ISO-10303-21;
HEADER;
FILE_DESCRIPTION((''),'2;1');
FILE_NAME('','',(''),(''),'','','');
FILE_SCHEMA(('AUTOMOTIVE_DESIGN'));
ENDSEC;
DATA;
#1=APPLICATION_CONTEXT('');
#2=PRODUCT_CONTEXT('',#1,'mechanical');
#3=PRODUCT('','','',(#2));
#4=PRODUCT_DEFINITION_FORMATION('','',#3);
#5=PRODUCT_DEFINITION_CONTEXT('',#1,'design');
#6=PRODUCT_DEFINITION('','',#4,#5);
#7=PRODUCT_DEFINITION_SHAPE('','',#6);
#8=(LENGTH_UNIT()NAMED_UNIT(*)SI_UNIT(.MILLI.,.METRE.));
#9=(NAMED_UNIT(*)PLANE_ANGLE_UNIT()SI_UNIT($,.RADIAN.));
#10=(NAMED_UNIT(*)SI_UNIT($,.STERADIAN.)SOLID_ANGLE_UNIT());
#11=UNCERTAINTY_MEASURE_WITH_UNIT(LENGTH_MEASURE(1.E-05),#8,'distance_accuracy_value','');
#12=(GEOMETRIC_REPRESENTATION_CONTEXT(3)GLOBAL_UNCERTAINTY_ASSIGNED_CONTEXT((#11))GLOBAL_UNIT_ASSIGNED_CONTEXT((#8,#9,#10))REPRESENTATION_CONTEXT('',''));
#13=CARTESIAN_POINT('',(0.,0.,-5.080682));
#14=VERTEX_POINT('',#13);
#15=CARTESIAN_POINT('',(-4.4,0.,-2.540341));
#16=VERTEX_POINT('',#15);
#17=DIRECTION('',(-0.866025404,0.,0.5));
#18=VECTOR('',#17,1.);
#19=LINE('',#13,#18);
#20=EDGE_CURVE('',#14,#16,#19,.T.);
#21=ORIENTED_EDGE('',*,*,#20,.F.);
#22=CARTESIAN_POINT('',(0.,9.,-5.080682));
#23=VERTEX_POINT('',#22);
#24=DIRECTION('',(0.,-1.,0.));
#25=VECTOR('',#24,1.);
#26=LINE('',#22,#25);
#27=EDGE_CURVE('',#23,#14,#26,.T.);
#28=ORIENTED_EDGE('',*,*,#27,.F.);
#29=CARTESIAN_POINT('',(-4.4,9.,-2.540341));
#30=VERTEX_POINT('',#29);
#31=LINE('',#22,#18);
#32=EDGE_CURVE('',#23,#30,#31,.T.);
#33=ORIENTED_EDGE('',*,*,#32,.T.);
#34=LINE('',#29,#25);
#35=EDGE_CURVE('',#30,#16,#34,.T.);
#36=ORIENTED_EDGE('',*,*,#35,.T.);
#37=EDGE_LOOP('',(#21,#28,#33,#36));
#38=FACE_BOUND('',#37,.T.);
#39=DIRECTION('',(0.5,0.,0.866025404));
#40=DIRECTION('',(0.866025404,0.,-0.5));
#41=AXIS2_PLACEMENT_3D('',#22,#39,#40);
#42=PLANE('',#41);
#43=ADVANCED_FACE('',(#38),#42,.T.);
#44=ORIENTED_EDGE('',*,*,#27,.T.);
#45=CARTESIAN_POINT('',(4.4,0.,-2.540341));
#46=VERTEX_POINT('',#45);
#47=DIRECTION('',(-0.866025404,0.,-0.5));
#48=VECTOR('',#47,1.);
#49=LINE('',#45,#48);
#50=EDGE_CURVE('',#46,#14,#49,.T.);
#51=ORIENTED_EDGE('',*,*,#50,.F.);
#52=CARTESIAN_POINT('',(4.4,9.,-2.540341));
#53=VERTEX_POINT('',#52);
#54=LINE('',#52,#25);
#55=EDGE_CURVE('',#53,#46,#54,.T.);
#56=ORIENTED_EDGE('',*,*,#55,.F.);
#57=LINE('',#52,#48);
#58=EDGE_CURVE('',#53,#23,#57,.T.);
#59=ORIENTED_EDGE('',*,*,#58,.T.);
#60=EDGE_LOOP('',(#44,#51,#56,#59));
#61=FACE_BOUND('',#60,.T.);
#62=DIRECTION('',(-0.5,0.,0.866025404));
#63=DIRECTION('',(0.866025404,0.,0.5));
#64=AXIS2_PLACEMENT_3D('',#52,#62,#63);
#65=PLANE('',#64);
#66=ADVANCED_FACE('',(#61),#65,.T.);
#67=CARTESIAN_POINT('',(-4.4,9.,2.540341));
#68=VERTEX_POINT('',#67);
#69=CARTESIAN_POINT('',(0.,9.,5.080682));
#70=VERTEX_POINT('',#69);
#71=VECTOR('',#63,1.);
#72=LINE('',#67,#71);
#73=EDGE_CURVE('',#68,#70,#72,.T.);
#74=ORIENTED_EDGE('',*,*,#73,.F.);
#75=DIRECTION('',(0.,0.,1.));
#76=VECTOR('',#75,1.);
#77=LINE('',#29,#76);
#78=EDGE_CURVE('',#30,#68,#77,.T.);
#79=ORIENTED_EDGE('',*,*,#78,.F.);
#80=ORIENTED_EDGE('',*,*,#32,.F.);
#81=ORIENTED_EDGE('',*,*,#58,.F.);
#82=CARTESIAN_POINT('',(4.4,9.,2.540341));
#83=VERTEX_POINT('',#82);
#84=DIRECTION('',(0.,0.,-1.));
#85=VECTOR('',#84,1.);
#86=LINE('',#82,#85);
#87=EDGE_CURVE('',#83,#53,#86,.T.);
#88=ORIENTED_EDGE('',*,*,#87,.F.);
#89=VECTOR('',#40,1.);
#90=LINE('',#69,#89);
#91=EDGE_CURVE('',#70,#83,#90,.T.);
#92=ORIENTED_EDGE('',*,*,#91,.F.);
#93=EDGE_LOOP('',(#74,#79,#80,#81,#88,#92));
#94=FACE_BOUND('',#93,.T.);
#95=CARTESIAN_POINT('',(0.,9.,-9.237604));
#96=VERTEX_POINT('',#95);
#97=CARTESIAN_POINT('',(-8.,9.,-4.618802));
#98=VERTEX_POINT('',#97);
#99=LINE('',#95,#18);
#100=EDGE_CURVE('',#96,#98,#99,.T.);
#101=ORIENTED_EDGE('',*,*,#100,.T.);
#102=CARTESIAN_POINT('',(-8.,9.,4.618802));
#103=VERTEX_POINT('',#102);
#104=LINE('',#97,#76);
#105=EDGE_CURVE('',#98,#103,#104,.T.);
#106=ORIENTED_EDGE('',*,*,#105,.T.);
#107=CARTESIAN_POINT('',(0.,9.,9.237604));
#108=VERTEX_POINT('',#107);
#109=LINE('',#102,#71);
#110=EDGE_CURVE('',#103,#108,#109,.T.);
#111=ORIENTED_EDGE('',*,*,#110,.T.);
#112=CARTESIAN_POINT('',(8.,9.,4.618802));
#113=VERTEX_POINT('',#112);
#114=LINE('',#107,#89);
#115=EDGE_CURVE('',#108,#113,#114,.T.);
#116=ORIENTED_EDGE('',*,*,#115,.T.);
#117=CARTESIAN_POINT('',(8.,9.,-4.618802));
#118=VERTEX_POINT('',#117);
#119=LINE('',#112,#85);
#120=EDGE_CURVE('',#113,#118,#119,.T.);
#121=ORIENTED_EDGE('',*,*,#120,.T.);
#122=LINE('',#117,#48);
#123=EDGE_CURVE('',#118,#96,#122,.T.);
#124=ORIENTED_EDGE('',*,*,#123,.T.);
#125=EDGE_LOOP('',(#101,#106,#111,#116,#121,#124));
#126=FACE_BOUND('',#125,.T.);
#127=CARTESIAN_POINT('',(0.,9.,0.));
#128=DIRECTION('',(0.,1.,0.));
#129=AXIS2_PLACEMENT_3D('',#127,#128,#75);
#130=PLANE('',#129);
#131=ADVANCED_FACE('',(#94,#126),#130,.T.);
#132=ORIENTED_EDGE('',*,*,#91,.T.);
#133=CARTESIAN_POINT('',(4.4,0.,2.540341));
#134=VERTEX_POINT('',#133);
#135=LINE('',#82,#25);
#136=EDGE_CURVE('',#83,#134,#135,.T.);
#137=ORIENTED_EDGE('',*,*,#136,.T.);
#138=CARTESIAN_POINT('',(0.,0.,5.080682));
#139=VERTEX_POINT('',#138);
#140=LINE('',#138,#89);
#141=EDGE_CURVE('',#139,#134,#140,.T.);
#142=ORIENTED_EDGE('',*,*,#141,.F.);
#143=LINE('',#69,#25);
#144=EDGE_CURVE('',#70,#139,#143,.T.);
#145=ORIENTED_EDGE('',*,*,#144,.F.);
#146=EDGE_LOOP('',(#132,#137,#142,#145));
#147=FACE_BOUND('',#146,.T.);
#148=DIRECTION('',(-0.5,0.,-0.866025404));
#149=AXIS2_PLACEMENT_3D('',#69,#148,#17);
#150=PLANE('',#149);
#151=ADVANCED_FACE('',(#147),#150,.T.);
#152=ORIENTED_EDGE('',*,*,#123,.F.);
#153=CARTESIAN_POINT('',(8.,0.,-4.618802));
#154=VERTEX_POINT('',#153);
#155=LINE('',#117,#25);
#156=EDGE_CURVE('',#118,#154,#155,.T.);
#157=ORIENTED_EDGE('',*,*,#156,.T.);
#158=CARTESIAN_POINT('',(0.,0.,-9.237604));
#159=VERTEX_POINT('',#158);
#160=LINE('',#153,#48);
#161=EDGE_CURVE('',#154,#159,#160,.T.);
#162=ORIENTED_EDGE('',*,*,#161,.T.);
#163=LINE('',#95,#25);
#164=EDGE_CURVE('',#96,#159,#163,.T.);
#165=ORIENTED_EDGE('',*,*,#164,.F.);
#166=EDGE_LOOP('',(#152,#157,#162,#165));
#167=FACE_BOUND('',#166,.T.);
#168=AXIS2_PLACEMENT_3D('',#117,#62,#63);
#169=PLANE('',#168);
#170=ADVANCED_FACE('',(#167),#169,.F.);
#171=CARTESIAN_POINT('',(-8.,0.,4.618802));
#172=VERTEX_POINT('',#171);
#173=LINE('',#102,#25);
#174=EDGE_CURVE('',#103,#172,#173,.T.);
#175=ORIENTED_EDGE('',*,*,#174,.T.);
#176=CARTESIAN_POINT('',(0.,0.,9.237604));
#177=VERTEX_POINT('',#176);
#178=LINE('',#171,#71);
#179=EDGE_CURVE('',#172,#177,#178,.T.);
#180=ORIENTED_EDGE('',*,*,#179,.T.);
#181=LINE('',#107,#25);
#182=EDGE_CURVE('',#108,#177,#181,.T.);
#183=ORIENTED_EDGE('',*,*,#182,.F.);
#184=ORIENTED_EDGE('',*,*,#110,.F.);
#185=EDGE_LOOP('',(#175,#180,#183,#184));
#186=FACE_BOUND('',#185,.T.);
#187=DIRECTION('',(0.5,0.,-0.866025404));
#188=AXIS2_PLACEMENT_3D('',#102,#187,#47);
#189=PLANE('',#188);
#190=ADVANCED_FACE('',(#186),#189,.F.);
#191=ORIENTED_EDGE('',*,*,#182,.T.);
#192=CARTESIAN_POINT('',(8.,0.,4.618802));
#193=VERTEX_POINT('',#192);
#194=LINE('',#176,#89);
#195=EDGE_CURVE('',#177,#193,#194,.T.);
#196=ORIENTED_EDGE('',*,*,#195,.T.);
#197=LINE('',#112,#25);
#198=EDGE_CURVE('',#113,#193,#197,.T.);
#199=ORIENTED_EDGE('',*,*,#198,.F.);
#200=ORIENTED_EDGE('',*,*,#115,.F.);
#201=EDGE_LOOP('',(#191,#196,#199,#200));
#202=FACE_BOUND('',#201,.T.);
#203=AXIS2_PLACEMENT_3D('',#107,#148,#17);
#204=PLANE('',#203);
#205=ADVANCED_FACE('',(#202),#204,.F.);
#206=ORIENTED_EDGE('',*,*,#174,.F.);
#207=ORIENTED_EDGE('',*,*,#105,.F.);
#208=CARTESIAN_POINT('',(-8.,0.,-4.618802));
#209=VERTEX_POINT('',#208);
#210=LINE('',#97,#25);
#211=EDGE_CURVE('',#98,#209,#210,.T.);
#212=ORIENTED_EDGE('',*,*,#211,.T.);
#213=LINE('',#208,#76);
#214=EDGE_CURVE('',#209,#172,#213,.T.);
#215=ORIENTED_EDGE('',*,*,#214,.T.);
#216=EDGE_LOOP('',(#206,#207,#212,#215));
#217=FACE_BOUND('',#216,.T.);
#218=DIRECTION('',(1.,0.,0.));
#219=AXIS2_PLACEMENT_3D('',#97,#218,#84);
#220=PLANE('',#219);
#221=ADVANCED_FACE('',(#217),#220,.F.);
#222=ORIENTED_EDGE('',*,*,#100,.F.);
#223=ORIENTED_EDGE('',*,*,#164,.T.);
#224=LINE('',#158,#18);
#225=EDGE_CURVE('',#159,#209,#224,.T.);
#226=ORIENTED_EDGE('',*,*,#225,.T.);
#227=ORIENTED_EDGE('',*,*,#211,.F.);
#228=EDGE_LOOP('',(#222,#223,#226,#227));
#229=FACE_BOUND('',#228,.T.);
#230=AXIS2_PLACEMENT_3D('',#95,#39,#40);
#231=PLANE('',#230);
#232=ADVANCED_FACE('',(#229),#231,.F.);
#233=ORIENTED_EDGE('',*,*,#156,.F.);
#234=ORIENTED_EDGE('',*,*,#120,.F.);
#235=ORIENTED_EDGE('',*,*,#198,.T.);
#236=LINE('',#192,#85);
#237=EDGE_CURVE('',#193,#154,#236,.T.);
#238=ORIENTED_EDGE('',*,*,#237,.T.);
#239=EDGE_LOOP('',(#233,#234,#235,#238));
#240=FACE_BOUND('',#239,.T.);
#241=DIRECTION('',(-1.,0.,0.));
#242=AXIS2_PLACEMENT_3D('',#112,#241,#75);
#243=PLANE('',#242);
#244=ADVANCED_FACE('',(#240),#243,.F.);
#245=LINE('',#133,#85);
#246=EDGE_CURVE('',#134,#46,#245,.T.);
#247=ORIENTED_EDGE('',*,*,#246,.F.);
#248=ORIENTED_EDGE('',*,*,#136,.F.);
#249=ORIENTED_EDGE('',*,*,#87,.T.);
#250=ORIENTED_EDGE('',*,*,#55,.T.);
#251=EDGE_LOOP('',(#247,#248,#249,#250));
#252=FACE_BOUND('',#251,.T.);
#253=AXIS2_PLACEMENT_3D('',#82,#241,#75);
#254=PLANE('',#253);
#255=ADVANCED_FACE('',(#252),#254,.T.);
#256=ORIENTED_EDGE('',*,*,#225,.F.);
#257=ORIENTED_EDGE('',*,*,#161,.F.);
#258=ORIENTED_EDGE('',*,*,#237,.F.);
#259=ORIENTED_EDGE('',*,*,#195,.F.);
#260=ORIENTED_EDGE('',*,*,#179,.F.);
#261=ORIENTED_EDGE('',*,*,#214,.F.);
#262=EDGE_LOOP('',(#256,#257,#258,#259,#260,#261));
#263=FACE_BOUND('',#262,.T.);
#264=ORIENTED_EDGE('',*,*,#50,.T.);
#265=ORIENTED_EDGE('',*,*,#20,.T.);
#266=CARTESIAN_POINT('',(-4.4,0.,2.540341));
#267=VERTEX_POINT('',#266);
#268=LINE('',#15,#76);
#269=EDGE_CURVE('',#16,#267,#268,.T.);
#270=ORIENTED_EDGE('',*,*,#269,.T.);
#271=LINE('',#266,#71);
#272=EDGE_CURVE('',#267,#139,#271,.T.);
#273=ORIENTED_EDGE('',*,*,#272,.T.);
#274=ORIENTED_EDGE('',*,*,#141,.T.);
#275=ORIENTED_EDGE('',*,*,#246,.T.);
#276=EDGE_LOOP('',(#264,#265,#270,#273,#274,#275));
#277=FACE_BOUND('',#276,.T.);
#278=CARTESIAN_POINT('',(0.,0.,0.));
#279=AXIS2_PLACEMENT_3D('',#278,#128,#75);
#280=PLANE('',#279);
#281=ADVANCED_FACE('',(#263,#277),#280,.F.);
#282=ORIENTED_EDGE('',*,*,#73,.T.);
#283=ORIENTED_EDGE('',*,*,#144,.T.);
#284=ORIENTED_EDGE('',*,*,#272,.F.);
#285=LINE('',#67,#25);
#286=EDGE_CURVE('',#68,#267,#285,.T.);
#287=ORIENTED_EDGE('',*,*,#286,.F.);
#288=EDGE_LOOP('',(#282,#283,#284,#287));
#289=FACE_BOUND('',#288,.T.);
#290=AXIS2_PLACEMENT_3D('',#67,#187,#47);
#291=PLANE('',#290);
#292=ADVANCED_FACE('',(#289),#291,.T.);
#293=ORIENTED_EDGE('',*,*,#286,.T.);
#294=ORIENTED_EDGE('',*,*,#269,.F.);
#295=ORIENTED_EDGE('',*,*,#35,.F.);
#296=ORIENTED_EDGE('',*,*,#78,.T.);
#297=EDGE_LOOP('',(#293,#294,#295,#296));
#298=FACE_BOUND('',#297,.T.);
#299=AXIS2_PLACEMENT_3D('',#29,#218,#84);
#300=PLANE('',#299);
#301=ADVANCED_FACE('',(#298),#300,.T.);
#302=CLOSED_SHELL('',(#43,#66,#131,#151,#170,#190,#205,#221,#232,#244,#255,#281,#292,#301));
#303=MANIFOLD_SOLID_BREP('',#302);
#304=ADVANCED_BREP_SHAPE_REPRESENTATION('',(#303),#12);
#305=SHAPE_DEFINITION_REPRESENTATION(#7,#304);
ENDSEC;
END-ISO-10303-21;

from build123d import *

# Parameters (mm, degrees)
BOSS_EXTRUDE1_DEPTH = 9


with BuildPart() as part:
    # Sketch2 → Boss-Extrude1 (new body)
    with BuildSketch(Plane(origin=(0, 0, 0), x_dir=(1, 0, 0), z_dir=(0, 1, 0))):
        Polygon((0, -9.237604307), (8, -4.618802154), (8, 4.618802154), (0, 9.237604307), (-8, 4.618802154), (-8, -4.618802154), align=None)
        Polygon((0, -5.080682369), (4.4, -2.540341184), (4.4, 2.540341184), (0, 5.080682369), (-4.4, 2.540341184), (-4.4, -2.540341184), align=None, mode=Mode.SUBTRACT)
    extrude(amount=BOSS_EXTRUDE1_DEPTH)


solid = part.part
